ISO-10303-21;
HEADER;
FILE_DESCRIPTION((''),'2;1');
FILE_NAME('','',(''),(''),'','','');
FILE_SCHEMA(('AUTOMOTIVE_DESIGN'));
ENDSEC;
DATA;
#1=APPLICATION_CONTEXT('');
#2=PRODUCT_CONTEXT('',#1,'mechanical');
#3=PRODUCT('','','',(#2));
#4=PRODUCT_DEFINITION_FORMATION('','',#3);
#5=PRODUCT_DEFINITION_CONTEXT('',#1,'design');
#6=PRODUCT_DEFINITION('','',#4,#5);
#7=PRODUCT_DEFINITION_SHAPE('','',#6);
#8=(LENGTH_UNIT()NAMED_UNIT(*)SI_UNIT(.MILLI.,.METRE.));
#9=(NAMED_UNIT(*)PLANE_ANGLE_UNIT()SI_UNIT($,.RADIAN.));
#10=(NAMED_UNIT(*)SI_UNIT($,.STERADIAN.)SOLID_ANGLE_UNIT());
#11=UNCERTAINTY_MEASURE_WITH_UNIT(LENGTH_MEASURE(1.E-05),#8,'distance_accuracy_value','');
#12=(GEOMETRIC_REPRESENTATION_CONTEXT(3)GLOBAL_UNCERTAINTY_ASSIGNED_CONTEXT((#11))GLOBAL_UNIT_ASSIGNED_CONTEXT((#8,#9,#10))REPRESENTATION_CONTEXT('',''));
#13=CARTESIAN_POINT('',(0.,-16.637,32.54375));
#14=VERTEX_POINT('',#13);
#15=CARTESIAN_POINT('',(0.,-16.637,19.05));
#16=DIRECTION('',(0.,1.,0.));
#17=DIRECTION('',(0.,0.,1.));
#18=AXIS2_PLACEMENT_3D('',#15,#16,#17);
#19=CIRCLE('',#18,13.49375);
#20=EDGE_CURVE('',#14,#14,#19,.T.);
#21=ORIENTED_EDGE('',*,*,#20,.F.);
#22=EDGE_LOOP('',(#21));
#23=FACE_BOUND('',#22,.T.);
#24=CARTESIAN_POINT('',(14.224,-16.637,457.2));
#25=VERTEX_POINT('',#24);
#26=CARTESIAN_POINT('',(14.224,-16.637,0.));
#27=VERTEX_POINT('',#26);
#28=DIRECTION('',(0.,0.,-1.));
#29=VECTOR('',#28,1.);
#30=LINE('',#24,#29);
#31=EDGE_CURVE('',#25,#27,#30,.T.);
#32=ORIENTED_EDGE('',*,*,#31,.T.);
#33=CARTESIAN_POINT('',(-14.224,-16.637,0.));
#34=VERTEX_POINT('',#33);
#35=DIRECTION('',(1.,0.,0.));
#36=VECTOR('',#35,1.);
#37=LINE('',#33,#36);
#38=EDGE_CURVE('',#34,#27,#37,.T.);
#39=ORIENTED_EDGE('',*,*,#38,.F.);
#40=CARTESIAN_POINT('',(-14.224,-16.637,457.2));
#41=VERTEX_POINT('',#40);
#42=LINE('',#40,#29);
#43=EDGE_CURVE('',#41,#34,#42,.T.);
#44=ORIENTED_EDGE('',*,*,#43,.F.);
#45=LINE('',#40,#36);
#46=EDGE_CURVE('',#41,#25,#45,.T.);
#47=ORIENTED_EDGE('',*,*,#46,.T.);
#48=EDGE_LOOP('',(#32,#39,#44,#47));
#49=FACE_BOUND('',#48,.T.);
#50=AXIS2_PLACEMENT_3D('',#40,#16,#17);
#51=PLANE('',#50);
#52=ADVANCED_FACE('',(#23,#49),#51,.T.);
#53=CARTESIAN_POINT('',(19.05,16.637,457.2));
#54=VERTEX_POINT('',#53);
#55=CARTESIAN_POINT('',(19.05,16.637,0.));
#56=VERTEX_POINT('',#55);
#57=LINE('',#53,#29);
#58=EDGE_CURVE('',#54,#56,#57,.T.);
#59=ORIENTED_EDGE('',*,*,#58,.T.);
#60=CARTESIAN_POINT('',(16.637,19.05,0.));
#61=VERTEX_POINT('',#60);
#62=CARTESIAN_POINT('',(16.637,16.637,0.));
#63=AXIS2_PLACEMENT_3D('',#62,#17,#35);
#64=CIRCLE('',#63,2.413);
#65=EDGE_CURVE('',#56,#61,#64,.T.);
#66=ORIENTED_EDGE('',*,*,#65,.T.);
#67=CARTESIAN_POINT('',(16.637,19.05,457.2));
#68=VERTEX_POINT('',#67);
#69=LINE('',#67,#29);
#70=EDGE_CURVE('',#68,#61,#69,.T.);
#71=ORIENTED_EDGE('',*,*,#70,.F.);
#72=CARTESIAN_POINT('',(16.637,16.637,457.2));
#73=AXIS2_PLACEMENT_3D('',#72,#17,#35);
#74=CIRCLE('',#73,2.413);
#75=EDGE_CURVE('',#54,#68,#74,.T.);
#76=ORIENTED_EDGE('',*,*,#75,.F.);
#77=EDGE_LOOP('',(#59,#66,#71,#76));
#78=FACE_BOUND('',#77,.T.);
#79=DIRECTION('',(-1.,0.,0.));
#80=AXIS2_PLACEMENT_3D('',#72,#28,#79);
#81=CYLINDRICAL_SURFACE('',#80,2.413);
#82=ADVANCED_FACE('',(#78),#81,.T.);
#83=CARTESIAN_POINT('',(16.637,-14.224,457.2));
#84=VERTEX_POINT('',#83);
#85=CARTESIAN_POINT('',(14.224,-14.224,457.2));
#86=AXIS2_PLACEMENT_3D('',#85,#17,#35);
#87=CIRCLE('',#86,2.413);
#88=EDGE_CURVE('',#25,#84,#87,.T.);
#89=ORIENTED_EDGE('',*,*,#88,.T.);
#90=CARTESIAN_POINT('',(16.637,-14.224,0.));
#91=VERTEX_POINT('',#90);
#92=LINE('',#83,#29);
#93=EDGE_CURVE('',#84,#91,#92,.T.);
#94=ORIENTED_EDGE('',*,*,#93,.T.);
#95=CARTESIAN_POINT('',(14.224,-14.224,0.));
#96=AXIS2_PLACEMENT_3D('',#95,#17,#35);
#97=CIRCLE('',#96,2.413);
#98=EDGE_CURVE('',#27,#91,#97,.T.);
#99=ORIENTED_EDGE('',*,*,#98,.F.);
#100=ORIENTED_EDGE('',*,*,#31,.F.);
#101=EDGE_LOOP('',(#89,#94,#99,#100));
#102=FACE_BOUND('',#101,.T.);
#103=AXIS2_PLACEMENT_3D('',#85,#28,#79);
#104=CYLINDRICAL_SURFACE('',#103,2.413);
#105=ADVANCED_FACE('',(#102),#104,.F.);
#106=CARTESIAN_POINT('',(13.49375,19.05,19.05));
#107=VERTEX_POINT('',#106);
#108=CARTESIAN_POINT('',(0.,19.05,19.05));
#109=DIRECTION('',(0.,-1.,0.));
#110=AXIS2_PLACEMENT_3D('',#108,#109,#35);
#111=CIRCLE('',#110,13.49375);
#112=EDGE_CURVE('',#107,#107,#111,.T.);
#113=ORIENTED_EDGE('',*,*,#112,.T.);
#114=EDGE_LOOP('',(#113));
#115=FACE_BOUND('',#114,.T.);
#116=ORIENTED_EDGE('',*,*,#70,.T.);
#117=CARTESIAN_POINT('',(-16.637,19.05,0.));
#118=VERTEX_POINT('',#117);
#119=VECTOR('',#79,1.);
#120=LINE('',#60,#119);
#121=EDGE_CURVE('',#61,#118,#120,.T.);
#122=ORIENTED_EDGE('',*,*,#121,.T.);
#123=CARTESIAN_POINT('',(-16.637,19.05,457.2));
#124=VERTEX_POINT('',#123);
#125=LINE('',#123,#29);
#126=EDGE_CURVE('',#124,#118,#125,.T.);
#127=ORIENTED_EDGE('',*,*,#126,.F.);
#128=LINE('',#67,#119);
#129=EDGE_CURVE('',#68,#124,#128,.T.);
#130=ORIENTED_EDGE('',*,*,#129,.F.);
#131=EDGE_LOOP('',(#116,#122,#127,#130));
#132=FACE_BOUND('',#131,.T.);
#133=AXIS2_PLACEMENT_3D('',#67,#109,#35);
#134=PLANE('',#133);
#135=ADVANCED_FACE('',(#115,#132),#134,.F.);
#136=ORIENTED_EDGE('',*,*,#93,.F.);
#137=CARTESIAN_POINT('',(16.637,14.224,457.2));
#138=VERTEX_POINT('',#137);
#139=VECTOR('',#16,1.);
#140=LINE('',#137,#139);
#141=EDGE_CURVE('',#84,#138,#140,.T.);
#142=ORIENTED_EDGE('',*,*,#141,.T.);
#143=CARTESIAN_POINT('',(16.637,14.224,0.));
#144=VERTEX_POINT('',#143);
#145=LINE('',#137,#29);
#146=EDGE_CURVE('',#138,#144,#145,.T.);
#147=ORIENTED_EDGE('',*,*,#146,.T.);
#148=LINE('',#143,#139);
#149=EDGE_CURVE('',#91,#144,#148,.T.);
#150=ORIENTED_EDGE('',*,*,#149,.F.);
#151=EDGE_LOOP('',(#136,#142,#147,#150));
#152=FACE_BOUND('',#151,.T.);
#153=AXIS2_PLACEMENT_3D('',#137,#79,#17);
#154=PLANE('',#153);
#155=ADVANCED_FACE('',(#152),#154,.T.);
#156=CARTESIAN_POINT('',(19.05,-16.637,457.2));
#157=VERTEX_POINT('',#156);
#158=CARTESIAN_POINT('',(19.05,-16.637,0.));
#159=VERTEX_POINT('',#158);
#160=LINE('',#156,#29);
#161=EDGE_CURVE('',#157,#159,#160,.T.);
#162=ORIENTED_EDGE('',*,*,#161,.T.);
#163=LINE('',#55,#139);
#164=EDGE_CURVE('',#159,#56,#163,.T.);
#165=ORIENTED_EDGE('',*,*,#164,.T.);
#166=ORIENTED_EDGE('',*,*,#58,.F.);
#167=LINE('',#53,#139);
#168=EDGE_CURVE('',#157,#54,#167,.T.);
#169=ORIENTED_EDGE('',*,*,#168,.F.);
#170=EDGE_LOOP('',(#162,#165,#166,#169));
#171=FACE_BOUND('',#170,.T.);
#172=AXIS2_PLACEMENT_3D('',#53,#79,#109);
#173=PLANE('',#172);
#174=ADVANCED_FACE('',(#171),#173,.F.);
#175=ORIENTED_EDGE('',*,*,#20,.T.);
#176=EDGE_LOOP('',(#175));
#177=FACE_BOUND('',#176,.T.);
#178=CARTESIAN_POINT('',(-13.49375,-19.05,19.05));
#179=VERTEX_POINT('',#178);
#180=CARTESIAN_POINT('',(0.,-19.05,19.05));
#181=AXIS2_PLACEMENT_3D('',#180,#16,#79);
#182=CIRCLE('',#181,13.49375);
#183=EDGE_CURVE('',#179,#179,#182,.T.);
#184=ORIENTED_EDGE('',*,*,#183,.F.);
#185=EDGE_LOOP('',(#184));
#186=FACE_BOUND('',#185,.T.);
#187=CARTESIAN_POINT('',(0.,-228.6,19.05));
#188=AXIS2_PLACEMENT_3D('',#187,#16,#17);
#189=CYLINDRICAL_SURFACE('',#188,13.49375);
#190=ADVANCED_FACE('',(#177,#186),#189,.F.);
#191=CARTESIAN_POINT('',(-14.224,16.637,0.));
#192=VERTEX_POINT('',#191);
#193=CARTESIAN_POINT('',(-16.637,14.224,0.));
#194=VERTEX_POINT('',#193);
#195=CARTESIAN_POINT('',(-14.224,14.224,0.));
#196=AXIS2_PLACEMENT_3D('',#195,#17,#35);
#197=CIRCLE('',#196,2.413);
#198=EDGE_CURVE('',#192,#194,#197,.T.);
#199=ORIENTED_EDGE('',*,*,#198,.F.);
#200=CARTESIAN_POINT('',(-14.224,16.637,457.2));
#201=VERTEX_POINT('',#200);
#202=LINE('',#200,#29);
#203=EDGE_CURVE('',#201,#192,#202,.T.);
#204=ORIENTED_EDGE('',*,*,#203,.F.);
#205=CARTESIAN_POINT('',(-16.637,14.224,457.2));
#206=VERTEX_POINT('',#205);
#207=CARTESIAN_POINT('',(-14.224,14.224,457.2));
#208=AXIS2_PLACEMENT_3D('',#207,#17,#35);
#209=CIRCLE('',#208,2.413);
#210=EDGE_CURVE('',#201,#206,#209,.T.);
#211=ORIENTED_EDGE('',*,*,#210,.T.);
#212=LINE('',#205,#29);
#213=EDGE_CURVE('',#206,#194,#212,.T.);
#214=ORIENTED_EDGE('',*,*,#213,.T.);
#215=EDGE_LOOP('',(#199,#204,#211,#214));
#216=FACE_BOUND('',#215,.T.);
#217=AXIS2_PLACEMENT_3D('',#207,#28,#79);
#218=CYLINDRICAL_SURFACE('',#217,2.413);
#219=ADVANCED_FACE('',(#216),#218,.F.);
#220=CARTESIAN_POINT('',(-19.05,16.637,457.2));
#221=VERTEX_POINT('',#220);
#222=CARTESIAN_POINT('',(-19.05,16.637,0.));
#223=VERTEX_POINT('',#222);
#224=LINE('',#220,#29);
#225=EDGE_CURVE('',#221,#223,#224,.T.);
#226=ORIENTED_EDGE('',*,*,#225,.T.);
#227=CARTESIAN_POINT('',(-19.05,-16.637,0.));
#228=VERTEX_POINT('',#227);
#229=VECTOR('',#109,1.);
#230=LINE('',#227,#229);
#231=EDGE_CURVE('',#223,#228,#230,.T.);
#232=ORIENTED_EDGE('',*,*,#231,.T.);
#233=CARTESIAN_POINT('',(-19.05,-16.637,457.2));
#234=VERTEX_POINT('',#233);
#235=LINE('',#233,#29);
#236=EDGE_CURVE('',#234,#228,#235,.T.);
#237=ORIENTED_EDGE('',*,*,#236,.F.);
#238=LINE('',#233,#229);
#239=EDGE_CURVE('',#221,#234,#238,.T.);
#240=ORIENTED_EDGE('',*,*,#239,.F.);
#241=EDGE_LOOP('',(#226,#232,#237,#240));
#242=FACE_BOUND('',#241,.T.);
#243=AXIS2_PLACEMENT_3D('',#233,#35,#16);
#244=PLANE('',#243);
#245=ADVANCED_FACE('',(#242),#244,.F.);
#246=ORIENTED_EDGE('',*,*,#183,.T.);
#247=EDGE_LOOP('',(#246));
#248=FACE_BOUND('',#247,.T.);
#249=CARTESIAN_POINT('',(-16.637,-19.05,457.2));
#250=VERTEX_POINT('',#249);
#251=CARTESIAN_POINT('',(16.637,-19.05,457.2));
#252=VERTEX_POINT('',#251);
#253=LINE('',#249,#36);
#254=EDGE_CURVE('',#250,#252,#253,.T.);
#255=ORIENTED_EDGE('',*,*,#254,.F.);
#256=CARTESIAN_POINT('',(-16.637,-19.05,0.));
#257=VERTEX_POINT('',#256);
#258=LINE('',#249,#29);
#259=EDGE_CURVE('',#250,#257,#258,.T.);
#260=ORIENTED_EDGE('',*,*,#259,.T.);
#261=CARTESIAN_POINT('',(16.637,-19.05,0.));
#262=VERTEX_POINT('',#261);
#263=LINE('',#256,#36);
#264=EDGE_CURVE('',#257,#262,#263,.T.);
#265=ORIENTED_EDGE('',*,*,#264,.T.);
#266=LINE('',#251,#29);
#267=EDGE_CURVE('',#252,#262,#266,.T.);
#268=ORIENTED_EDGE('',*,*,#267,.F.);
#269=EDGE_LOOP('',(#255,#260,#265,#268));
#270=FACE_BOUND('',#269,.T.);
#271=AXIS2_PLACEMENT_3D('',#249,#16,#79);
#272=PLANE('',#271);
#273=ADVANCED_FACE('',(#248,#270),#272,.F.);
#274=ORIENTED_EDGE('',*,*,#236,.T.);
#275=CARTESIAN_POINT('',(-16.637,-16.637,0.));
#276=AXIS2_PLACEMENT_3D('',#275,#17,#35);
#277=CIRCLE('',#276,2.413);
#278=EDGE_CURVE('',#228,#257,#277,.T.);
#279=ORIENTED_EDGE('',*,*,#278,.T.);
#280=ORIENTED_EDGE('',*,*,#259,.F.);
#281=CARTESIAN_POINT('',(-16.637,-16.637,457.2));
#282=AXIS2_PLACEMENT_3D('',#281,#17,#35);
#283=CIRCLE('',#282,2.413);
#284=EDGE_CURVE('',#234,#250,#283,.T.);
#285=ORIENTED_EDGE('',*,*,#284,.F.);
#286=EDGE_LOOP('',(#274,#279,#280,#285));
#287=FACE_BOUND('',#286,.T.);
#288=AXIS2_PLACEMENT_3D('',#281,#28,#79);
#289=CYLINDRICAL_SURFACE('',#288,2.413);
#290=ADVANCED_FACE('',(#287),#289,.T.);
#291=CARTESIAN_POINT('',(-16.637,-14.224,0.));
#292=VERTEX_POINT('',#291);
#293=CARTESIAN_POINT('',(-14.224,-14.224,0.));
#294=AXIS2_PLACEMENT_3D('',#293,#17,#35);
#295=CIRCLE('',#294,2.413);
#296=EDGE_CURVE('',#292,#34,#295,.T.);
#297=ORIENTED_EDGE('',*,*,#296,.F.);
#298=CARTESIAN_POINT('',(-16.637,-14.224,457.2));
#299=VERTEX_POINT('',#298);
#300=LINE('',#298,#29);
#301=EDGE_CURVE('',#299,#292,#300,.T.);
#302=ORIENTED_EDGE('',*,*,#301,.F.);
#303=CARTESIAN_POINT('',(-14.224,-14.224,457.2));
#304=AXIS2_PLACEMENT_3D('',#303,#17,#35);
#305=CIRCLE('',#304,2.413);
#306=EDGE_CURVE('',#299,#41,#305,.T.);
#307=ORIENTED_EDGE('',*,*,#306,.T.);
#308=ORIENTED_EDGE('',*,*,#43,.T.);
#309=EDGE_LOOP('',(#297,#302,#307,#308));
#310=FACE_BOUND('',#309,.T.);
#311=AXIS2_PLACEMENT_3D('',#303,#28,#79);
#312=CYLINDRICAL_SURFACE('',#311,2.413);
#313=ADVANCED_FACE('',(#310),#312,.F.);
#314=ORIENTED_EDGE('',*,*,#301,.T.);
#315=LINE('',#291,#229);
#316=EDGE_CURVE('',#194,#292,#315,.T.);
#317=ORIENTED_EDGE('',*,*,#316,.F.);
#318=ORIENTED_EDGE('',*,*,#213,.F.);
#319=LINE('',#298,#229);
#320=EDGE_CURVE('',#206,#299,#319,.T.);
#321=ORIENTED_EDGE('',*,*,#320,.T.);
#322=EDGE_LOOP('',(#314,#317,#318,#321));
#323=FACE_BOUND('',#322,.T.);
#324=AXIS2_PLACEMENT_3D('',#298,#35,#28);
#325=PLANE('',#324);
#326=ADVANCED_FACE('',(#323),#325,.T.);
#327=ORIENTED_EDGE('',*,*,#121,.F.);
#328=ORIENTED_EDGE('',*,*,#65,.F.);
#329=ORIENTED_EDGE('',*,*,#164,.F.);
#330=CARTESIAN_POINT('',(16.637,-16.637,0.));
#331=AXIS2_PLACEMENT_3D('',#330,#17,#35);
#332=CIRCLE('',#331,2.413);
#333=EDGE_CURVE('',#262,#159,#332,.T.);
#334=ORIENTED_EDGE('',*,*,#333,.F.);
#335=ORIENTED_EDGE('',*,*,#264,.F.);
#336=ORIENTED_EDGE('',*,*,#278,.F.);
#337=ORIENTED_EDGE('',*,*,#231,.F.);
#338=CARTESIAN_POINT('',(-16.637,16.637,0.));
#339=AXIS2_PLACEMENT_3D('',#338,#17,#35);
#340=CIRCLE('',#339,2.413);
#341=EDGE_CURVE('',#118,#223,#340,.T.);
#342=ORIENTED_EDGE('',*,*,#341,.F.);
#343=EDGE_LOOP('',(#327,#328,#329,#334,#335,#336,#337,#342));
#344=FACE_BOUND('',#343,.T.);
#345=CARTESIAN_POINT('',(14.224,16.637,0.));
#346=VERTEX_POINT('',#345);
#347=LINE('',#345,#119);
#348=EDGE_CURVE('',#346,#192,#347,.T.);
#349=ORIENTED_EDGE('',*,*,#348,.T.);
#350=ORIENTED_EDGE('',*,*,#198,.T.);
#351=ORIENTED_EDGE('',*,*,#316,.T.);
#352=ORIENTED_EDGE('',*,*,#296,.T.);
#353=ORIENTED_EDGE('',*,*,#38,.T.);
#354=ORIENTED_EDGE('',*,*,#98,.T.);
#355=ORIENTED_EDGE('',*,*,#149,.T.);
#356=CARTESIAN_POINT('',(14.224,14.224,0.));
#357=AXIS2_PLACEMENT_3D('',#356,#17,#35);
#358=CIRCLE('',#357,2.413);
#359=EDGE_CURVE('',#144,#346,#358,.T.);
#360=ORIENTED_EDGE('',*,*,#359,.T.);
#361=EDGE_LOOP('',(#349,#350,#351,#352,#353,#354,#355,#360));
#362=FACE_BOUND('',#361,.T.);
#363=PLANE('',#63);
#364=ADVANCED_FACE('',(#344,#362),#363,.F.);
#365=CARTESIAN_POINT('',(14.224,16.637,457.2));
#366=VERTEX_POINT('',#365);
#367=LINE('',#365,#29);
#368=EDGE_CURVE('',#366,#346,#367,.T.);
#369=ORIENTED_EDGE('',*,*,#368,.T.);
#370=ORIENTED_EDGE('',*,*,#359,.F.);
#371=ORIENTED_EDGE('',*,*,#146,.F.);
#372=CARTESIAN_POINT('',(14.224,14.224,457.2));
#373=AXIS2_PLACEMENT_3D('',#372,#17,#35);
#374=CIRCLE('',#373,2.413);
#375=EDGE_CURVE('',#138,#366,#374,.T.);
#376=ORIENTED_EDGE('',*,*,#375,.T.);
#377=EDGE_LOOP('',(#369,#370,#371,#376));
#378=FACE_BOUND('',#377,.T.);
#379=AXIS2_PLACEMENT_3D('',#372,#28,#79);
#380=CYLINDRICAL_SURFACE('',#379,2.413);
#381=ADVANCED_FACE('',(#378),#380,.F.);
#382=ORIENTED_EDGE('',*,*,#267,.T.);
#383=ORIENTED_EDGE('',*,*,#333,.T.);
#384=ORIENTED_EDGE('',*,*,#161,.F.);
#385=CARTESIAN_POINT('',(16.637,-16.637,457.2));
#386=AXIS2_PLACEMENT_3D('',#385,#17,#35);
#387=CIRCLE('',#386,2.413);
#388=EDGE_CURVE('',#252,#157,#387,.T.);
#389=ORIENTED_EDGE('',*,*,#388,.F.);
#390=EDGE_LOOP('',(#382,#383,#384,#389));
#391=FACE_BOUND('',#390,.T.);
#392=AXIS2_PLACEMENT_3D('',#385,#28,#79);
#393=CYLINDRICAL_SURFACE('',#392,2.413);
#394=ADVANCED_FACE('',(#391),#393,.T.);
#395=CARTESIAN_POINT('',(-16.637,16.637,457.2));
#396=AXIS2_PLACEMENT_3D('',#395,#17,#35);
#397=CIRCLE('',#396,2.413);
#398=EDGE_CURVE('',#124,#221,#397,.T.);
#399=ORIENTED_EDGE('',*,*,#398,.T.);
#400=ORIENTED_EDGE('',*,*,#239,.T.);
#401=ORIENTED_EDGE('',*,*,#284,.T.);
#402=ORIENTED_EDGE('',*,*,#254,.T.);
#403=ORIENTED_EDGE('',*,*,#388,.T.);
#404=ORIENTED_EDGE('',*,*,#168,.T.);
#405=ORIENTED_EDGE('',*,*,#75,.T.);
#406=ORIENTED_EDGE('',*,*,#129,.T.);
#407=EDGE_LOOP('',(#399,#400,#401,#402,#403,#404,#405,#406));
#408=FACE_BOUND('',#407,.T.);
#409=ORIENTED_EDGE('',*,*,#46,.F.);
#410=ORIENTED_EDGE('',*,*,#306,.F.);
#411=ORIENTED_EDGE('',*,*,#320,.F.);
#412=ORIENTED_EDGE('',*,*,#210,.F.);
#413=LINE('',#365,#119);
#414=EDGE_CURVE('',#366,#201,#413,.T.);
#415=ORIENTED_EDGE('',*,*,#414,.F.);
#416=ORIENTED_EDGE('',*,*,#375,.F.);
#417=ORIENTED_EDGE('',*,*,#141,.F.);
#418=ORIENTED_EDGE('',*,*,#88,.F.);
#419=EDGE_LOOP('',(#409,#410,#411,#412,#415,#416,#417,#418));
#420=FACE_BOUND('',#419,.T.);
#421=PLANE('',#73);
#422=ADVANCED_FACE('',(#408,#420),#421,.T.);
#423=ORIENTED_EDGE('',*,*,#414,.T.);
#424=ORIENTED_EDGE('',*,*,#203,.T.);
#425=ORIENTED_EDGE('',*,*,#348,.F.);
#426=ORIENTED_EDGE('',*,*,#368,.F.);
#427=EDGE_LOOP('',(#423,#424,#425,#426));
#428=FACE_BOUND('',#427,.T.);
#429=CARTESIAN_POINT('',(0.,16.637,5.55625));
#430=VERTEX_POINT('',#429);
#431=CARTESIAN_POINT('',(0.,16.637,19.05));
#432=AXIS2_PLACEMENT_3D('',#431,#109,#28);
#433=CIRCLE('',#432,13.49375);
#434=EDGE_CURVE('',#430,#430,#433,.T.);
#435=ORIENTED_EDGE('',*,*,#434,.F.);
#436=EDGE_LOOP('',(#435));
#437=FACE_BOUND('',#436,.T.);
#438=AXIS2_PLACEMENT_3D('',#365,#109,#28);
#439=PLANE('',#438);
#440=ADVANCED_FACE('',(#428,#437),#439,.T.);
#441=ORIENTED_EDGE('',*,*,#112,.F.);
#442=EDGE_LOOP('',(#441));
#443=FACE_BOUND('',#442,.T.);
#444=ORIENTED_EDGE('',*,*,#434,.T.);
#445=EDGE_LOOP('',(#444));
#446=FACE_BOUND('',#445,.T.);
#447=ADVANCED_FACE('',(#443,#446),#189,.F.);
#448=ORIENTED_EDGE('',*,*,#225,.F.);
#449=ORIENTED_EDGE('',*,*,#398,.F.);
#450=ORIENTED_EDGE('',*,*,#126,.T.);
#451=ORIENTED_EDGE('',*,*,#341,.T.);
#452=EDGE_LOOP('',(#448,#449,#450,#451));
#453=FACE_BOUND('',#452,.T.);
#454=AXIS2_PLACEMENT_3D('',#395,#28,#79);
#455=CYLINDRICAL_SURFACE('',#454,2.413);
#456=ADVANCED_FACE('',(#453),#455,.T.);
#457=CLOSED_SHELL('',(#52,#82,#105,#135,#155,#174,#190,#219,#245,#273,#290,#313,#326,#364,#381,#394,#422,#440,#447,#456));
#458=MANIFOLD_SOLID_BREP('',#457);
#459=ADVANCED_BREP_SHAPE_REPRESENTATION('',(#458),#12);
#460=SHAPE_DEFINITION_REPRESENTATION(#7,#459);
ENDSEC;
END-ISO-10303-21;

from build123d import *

# Parameters (mm, degrees)
BOSS_EXTRUDE1_DEPTH = 457.2
SKETCH2_R           = 13.49375
CUT_EXTRUDE1_DEPTH  = 228.6


with BuildPart() as part:
    # Sketch1 → Boss-Extrude1 (new body)
    with BuildSketch(Plane.XY):
        with BuildLine():
            Line((-16.637, -19.05), (16.637, -19.05))
            ThreePointArc((16.637, -19.05), (18.343248663, -18.343248663), (19.05, -16.637))
            Line((19.05, -16.637), (19.05, 16.637))
            ThreePointArc((19.05, 16.637), (18.343248663, 18.343248663), (16.637, 19.05))
            Line((16.637, 19.05), (-16.637, 19.05))
            ThreePointArc((-16.637, 19.05), (-18.343248663, 18.343248663), (-19.05, 16.637))
            Line((-19.05, 16.637), (-19.05, -16.637))
            ThreePointArc((-19.05, -16.637), (-18.343248663, -18.343248663), (-16.637, -19.05))
        make_face()
        with BuildLine():
            Line((-14.224, -16.637), (14.224, -16.637))
            ThreePointArc((14.224, -16.637), (15.930248663, -15.930248663), (16.637, -14.224))
            Line((16.637, -14.224), (16.637, 14.224))
            ThreePointArc((16.637, 14.224), (15.930248663, 15.930248663), (14.224, 16.637))
            Line((14.224, 16.637), (-14.224, 16.637))
            ThreePointArc((-14.224, 16.637), (-15.930248663, 15.930248663), (-16.637, 14.224))
            Line((-16.637, 14.224), (-16.637, -14.224))
            ThreePointArc((-16.637, -14.224), (-15.930248663, -15.930248663), (-14.224, -16.637))
        make_face(mode=Mode.SUBTRACT)
    extrude(amount=BOSS_EXTRUDE1_DEPTH)

    # Sketch2 → Cut-Extrude1 (cut, symmetric)
    with BuildSketch(Plane(origin=(0, 0, 0), x_dir=(1, 0, 0), z_dir=(0, 1, 0))):
        with Locations((0, -19.05)):
            Circle(SKETCH2_R)
    extrude(amount=CUT_EXTRUDE1_DEPTH, both=True, mode=Mode.SUBTRACT)


solid = part.part
